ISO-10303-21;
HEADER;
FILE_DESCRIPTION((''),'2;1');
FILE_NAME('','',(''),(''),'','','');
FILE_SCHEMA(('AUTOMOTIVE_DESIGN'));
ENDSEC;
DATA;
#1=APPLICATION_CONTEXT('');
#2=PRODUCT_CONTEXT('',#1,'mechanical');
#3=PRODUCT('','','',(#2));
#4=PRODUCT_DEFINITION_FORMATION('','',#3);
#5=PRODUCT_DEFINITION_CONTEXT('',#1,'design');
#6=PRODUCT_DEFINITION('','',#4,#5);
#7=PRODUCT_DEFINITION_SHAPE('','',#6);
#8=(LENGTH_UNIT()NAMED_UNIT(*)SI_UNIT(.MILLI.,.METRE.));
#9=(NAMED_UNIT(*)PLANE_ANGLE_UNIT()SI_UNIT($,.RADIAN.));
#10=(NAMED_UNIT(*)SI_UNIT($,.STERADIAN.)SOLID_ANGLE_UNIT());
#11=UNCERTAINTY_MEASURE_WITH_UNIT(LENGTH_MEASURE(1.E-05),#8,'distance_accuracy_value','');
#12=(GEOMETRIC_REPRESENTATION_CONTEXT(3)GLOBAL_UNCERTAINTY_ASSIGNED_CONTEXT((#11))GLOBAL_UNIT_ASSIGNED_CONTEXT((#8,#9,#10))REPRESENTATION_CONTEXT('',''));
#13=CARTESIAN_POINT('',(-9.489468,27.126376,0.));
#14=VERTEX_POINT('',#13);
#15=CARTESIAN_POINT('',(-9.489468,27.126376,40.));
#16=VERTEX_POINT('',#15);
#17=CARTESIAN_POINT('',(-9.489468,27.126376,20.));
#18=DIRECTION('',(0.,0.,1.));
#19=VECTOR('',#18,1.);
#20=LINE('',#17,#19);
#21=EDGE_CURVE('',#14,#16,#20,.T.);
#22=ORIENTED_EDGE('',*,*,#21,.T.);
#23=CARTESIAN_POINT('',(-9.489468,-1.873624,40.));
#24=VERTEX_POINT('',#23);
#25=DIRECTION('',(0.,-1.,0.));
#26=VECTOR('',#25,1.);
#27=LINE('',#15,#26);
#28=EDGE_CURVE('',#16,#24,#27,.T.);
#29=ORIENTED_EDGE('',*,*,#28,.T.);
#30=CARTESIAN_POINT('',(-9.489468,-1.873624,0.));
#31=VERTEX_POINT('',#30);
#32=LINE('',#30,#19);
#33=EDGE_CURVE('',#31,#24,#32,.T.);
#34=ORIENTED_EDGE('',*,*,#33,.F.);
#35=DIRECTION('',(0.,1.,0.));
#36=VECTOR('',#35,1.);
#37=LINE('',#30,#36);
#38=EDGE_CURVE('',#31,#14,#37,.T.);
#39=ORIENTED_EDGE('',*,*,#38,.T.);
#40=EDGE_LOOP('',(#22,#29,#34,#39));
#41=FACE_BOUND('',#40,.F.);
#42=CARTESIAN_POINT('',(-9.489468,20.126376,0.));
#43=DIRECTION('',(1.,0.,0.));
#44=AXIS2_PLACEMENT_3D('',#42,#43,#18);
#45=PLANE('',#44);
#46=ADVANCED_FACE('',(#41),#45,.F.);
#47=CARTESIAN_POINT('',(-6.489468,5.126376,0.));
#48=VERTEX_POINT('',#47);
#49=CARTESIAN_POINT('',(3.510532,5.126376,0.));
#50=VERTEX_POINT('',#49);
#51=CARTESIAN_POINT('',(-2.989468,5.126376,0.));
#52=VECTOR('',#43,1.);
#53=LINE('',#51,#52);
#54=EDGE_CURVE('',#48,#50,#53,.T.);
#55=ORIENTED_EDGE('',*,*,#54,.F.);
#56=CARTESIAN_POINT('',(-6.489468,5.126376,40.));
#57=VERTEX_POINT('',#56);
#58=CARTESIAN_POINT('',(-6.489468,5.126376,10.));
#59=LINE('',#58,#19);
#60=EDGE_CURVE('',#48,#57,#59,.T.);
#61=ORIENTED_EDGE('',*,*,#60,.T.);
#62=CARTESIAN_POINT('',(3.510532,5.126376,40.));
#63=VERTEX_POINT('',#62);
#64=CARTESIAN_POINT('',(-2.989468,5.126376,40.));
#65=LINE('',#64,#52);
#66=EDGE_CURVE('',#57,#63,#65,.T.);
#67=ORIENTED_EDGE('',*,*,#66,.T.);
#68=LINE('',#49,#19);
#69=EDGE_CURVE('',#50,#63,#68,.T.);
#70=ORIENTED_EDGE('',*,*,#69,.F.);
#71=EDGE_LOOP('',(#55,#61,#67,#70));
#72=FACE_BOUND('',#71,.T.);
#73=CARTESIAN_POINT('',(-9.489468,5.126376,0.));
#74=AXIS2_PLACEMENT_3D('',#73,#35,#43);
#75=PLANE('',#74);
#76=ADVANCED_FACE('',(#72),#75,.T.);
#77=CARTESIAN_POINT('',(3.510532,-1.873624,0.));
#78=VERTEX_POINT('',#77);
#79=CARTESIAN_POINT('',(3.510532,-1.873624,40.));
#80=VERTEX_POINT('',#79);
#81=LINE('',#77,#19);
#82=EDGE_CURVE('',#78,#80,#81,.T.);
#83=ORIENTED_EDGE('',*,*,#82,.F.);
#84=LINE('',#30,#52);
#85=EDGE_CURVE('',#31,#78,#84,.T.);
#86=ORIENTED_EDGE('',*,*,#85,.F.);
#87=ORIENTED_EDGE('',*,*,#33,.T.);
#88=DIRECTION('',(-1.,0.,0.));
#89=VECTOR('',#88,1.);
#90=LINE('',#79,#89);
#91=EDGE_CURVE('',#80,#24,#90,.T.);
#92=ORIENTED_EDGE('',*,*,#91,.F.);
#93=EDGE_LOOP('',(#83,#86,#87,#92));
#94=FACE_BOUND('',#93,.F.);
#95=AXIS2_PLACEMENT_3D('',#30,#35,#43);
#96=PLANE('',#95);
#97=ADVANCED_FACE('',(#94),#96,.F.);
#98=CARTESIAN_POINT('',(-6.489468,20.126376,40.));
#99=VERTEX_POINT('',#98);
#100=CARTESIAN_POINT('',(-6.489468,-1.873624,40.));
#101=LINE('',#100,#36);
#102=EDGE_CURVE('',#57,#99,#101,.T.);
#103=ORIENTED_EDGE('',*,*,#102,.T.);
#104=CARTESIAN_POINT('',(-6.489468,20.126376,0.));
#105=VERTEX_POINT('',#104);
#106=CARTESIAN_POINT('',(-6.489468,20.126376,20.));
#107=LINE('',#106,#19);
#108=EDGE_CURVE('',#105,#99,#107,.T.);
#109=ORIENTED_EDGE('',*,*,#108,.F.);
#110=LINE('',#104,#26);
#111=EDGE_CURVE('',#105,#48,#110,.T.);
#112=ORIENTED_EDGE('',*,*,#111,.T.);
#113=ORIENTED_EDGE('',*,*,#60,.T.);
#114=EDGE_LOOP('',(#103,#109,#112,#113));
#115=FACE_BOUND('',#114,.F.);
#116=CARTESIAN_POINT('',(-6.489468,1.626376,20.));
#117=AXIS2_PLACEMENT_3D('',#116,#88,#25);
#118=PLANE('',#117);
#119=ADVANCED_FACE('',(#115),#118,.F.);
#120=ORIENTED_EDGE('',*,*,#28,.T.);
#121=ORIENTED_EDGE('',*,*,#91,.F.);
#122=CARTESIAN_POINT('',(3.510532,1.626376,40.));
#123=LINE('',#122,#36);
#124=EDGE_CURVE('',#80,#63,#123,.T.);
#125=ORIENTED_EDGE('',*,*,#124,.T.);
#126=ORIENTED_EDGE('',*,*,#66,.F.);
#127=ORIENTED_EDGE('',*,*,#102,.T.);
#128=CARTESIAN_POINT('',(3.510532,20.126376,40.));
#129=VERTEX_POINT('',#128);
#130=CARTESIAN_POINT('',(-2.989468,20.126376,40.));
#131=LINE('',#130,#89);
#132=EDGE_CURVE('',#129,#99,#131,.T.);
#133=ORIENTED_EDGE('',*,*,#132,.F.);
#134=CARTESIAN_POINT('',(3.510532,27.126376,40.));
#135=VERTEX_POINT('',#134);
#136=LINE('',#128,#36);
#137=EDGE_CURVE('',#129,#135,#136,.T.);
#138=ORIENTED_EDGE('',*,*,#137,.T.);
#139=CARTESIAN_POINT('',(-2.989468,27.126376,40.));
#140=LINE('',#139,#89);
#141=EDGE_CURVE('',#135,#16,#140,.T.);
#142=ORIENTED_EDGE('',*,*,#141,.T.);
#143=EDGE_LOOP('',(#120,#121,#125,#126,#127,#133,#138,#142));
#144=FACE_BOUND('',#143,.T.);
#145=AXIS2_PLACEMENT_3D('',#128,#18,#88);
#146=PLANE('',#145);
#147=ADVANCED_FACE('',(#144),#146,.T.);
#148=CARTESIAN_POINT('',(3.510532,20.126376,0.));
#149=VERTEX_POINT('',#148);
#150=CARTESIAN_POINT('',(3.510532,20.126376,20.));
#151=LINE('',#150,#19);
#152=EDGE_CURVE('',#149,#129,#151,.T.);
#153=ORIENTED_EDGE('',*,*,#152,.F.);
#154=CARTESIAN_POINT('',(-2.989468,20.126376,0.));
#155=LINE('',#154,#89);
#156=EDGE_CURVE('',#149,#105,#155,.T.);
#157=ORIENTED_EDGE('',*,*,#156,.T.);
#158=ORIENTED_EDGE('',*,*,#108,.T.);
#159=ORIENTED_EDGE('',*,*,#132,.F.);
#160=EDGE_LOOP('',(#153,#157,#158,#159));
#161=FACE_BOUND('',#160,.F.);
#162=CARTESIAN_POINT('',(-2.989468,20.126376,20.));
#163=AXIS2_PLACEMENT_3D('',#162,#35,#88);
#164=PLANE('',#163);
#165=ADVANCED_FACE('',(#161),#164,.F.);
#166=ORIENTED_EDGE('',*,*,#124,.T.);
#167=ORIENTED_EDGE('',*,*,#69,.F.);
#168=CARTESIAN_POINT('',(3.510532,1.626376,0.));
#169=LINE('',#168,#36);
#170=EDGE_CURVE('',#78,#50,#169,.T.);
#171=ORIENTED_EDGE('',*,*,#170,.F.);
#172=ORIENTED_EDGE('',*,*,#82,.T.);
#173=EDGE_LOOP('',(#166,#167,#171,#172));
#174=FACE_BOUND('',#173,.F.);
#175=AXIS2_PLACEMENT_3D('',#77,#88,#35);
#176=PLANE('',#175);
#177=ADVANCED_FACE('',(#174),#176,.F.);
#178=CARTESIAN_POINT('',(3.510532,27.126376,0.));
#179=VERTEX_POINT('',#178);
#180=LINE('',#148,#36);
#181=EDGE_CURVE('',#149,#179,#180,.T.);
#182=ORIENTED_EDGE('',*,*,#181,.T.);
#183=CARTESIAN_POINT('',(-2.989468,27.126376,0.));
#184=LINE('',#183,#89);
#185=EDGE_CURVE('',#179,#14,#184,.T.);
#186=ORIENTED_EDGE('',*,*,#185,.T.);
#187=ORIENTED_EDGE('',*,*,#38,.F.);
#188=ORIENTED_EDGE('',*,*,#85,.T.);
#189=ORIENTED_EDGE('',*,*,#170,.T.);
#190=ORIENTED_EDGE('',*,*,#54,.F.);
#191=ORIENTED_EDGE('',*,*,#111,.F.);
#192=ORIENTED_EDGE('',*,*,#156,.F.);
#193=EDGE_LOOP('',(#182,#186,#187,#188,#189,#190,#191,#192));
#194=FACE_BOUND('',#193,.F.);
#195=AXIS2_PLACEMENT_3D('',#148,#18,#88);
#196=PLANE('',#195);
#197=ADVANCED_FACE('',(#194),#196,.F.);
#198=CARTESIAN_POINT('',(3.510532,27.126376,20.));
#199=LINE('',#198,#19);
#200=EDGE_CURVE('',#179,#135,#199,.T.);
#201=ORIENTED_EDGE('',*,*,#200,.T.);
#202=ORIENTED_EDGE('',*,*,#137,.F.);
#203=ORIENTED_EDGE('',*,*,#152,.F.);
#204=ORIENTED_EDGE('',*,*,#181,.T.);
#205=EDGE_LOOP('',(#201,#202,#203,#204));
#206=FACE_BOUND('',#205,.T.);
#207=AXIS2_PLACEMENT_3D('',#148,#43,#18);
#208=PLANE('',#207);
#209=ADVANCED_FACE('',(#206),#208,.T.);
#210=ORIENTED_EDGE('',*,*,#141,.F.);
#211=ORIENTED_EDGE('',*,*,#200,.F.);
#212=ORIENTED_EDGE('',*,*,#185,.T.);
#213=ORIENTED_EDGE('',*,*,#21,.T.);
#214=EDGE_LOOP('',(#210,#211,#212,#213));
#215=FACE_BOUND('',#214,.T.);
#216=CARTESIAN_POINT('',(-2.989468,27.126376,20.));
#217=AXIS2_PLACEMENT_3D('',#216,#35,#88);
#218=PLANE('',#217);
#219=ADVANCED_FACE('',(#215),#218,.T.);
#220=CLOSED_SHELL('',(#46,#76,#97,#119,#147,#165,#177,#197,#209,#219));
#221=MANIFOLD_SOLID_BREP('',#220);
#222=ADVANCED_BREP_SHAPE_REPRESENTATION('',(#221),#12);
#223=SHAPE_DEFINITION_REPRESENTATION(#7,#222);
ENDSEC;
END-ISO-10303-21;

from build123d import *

# Parameters (mm, degrees)
F0_W     = 13
F0_H     = 7
F1_DEPTH = 40
F2_W     = 7
F2_H     = 40
F2_W_2   = 15
F3_DEPTH = 3
F4_W     = 13
F4_H     = 40
F5_DEPTH = 7


with BuildPart() as f1:
    # F0 (on Top) → F1 (new body)
    with BuildSketch(Plane.XY):
        with Locations((-2.989468, 1.626376)):
            Rectangle(F0_W, F0_H)
    extrude(amount=F1_DEPTH)

    # F2 (on face) → F3 (join)
    with BuildSketch(Plane(origin=(-9.489468, 0, 0), x_dir=(0, -1, 0), z_dir=(-1, 0, 0))):
        with Locations((-1.626376, 20)):
            Rectangle(F2_W, F2_H)
        with Locations((-12.626376, 20)):
            Rectangle(F2_W_2, F2_H)
    extrude(amount=-F3_DEPTH)

    # F4 (on face) → F5 (join)
    with BuildSketch(Plane(origin=(0, 20.126376, 0), x_dir=(-1, 0, 0), z_dir=(0, 1, 0))):
        with Locations((2.989468, 20)):
            Rectangle(F4_W, F4_H)
    extrude(amount=F5_DEPTH)


solid = f1.part
